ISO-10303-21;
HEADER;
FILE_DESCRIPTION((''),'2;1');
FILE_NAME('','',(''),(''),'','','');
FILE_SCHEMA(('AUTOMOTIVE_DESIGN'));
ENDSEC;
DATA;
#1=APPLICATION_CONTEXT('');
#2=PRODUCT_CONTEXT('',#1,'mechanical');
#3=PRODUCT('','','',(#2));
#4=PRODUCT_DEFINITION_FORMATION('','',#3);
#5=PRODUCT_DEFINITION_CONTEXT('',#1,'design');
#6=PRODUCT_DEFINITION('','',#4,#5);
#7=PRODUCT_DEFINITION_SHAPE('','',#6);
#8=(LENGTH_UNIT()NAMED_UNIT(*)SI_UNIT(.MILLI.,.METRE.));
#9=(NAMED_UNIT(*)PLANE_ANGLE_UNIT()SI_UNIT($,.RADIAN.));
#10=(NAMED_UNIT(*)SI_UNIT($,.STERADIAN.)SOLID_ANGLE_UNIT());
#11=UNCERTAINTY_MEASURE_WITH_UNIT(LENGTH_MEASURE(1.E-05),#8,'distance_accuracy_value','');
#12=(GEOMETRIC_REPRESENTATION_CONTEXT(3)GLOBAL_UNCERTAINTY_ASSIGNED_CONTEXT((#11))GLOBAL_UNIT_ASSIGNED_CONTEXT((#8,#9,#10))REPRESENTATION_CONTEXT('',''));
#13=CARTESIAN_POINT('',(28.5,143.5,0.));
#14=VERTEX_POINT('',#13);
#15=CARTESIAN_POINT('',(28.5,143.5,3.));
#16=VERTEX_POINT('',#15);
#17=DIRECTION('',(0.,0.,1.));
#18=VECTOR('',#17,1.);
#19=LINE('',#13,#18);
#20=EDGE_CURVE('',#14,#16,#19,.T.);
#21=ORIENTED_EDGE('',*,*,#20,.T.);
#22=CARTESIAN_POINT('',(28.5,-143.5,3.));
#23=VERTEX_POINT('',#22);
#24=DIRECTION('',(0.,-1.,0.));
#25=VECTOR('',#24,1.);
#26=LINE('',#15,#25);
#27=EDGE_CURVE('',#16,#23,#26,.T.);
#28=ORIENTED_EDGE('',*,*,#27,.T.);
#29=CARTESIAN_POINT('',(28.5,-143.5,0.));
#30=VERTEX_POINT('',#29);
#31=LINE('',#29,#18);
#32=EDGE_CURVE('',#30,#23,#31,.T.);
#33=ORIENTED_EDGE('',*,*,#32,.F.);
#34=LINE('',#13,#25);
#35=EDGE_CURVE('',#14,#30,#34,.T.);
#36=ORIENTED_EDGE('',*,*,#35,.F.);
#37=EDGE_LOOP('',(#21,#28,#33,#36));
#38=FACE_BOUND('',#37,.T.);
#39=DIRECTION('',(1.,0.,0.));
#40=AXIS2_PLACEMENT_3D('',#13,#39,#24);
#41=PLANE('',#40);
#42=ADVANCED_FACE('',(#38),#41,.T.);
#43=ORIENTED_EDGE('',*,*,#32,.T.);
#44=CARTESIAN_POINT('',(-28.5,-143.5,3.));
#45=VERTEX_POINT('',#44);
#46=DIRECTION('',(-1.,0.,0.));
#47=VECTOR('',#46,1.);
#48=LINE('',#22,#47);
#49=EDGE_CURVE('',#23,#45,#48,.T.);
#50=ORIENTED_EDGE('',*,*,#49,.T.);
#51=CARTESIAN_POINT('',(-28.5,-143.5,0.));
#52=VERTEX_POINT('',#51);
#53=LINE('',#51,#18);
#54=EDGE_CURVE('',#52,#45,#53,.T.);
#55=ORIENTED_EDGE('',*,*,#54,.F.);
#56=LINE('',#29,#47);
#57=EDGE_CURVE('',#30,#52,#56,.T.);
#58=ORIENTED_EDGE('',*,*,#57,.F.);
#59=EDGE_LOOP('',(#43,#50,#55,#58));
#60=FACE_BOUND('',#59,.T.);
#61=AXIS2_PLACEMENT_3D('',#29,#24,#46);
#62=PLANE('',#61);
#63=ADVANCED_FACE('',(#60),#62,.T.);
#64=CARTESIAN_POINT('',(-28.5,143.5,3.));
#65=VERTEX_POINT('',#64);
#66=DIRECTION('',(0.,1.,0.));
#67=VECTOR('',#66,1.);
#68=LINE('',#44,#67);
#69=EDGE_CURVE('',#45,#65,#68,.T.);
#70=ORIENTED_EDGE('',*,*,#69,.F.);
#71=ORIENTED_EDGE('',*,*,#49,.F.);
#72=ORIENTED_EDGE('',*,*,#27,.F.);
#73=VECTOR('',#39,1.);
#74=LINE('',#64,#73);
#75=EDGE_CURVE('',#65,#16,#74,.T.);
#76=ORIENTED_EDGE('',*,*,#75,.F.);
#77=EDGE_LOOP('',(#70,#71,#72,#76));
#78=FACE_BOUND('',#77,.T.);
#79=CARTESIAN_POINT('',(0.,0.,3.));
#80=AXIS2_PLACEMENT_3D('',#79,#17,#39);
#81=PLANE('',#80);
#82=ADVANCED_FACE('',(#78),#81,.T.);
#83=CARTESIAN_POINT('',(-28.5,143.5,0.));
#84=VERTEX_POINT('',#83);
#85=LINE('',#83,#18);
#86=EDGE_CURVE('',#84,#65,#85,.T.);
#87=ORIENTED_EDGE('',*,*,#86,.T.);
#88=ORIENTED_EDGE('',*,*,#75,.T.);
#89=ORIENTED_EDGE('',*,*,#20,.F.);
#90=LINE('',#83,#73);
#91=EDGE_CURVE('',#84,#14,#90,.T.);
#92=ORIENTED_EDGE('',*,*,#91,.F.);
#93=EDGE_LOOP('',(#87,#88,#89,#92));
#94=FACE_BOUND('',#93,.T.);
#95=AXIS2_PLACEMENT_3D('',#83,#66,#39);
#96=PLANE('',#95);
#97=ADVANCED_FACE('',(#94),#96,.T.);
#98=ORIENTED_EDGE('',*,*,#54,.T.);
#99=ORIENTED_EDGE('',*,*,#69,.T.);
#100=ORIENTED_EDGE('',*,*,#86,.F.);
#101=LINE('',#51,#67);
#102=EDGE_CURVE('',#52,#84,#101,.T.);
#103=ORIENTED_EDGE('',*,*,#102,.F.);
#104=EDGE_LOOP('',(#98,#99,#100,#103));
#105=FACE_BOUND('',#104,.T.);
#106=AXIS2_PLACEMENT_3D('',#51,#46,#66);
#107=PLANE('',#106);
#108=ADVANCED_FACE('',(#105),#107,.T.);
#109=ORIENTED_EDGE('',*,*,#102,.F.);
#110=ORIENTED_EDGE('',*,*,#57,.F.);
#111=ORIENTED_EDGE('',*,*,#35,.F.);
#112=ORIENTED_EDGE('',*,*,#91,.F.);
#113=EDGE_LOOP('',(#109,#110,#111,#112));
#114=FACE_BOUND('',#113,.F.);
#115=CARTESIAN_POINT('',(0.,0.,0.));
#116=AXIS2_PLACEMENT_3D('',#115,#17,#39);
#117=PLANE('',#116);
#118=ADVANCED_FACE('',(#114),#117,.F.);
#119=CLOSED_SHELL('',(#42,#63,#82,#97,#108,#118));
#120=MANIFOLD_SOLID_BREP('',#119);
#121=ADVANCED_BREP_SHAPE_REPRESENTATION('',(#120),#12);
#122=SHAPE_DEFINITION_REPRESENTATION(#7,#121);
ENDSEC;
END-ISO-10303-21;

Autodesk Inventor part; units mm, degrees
ref_plane "YZ Plane" through (0, 0, 0) normal (1, 0, 0) x (0, 1, 0)
ref_plane "XZ Plane" through (0, 0, 0) normal (0, 1, 0) x (-1, 0, 0)
ref_plane "XY Plane" through (0, 0, 0) normal (0, 0, 1) x (1, 0, 0)
sketch "Sketch1" plane through (0, 0, 0) normal (0, 0, 1) x (1, 0, 0)
  line L0 (-28.5, 143.5) -> (28.5, 143.5)
  line L1 (28.5, 143.5) -> (28.5, -143.5)
  line L2 (28.5, -143.5) -> (-28.5, -143.5)
  line L3 (-28.5, -143.5) -> (-28.5, 143.5)
  point P0 (0, 0)
  dimension "d0" = 57
  dimension "d1" = 287
  dimension "d2" = 143.5
  dimension "d3" = 28.5
extrude "Extrusion1" add sketch "Sketch1" along normal blind 3
equation "\"d2\" = 0.5 * d1"
equation "\"d3\" = 0.5 * d0"
properties part number "filter base" material "Rubber"
